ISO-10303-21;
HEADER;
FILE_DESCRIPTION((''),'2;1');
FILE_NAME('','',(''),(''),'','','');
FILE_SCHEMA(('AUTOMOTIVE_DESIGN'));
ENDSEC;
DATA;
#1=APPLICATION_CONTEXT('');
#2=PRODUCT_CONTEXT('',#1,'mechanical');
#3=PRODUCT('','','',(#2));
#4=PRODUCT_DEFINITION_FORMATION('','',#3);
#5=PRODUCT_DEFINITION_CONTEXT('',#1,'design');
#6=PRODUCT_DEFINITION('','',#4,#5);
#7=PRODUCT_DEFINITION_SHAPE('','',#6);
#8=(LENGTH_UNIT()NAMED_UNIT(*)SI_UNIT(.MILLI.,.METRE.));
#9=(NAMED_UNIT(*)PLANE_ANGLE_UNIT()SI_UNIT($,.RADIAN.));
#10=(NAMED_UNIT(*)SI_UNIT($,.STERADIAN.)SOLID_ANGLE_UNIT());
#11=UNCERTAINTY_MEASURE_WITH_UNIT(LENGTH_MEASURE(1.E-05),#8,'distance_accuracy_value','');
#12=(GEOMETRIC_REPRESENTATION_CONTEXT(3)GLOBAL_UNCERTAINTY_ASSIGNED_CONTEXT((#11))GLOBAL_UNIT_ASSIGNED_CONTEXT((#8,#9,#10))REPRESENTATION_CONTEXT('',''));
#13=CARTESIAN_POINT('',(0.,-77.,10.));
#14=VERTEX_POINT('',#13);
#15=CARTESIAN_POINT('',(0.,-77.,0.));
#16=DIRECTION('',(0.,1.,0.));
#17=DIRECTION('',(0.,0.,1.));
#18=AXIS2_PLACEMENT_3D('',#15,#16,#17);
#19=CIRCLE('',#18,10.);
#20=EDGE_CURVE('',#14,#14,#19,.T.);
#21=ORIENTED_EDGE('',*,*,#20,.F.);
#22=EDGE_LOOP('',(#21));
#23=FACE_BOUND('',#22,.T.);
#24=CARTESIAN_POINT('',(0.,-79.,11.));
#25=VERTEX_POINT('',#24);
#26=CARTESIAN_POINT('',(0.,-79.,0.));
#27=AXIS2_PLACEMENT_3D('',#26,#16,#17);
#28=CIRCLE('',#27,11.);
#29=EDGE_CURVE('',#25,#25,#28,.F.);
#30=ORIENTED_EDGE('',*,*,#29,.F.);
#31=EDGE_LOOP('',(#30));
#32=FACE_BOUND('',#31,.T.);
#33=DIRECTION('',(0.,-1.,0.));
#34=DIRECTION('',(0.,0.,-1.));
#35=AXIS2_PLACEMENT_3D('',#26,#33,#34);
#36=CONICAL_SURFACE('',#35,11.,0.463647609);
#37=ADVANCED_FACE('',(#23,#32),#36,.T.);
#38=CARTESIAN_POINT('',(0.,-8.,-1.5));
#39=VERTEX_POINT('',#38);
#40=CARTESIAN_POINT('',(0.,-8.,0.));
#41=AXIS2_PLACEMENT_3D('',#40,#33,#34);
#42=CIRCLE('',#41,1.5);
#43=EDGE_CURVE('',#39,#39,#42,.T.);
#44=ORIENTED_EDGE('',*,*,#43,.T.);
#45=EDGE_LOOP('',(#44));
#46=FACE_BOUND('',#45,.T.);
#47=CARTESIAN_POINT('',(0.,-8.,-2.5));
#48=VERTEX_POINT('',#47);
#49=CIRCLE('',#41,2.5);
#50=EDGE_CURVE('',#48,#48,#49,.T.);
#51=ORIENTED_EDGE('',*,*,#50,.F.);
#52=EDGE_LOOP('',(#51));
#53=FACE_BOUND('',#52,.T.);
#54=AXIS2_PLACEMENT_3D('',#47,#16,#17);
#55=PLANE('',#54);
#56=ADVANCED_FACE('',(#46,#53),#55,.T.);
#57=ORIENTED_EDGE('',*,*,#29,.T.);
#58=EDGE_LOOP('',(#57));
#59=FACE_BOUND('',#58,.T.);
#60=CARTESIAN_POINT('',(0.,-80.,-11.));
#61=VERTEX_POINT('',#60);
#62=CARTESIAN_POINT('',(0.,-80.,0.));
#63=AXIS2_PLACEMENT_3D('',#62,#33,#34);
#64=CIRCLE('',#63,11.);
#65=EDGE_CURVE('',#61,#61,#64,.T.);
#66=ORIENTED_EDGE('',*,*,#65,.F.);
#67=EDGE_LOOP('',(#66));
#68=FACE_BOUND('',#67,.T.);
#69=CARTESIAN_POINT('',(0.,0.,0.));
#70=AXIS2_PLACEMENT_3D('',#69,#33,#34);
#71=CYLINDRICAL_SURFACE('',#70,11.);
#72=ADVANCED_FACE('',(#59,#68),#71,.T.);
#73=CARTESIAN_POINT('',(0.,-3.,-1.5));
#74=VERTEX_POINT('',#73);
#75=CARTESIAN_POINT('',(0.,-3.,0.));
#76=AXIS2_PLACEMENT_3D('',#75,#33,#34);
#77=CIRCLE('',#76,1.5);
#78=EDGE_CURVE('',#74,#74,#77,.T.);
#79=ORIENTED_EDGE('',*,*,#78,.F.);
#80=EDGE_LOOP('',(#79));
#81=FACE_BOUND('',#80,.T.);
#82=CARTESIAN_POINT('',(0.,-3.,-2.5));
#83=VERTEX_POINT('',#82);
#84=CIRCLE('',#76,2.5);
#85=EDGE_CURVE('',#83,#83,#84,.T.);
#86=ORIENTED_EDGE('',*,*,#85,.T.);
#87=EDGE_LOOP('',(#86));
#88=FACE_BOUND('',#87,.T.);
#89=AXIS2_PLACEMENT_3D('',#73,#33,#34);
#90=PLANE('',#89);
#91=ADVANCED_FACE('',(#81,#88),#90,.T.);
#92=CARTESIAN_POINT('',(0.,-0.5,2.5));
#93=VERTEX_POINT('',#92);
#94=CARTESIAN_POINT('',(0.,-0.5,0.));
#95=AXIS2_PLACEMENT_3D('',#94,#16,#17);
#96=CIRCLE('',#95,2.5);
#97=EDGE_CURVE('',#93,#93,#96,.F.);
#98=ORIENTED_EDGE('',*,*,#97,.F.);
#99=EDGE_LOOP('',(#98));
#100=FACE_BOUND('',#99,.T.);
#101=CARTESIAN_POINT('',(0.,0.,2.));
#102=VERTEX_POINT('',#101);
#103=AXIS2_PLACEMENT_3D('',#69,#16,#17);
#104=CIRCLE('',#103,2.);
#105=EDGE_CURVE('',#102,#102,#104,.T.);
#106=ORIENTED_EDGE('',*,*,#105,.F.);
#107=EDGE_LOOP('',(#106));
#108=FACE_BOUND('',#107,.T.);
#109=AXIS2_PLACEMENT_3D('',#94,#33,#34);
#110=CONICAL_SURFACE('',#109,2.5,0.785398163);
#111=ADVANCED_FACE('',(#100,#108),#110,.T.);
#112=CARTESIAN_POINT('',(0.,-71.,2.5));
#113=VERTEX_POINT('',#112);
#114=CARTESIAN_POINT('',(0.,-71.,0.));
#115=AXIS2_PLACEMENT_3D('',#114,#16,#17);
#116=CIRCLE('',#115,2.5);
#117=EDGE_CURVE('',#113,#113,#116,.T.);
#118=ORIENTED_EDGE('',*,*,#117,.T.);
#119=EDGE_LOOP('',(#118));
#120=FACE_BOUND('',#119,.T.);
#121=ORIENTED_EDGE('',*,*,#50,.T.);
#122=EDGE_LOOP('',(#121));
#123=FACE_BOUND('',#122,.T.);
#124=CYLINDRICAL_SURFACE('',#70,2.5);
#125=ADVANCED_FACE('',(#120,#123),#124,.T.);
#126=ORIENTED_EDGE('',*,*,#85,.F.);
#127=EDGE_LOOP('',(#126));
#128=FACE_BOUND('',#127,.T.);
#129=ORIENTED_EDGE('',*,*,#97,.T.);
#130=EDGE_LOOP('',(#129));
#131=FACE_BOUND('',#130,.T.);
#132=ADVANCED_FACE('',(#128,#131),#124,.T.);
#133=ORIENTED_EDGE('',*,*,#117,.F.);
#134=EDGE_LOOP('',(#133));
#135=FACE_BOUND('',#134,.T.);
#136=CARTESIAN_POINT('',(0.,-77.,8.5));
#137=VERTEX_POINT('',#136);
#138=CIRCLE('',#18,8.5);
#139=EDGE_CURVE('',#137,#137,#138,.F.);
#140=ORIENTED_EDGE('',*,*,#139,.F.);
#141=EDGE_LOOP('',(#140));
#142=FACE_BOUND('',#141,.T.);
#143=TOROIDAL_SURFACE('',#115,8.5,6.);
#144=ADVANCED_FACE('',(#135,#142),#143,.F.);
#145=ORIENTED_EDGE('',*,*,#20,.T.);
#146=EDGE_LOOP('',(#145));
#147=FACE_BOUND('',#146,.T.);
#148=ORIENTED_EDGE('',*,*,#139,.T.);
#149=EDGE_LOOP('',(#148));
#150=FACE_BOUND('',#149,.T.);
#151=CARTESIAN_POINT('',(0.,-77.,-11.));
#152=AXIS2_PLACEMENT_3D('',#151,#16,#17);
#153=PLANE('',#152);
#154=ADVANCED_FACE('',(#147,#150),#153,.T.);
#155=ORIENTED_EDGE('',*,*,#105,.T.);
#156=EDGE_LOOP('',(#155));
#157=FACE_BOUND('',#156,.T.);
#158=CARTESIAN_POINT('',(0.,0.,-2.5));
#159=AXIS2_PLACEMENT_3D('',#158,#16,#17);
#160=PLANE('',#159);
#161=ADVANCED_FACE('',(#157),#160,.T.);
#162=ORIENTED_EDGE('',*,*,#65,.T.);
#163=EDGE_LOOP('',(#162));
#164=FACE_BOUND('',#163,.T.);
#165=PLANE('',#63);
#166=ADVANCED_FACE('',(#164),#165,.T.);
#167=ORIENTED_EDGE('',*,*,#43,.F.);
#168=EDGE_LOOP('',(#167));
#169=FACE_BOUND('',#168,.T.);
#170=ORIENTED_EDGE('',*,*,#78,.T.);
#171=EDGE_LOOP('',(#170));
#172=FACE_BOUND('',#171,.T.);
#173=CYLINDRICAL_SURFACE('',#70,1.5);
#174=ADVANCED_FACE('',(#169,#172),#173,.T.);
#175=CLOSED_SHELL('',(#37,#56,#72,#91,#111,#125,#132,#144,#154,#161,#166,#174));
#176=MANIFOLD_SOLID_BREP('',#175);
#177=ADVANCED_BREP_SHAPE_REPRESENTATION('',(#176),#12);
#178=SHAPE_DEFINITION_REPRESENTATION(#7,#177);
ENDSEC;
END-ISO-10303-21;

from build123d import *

# Parameters (mm, degrees)
FILLET1_R      = 6
CHAMFER1_SIZE  = 1
CHAMFER1_SIZE2 = 2
CHAMFER2_SIZE  = 0.5


with BuildPart() as part:
    # Sketch1 → Revolve1 (revolve)
    with BuildSketch(Plane(origin=(0, 0, 0), x_dir=(0, 0, -1), z_dir=(1, 0, 0))):
        Polygon((0, 0), (0, -80), (11, -80), (11, -77), (2.5, -77), (2.5, -8), (1.5, -8), (1.5, -3), (2.5, -3), (2.5, 0), align=None)
    revolve(axis=Axis((0, 0, 0), (0, -1, 0)))

    # Fillet1
    fillet1_edges = [part.edges().sort_by_distance(p)[0] for p in [
        (0, -77, 2.5),
    ]]
    fillet(fillet1_edges, radius=FILLET1_R)

    # Chamfer1
    chamfer1_edges = [part.edges().sort_by_distance(p)[0] for p in [
        (0, -77, 11),
    ]]
    chamfer1_side = [part.faces().sort_by_distance(p)[0] for p in [
        (0, -77, 8.811126984),
    ]]
    chamfer(chamfer1_edges, length=CHAMFER1_SIZE, length2=CHAMFER1_SIZE2, reference=chamfer1_side[0])

    # Chamfer2
    chamfer2_edges = [part.edges().sort_by_distance(p)[0] for p in [
        (0, 0, 2.5),
    ]]
    chamfer(chamfer2_edges, length=CHAMFER2_SIZE)


solid = part.part
